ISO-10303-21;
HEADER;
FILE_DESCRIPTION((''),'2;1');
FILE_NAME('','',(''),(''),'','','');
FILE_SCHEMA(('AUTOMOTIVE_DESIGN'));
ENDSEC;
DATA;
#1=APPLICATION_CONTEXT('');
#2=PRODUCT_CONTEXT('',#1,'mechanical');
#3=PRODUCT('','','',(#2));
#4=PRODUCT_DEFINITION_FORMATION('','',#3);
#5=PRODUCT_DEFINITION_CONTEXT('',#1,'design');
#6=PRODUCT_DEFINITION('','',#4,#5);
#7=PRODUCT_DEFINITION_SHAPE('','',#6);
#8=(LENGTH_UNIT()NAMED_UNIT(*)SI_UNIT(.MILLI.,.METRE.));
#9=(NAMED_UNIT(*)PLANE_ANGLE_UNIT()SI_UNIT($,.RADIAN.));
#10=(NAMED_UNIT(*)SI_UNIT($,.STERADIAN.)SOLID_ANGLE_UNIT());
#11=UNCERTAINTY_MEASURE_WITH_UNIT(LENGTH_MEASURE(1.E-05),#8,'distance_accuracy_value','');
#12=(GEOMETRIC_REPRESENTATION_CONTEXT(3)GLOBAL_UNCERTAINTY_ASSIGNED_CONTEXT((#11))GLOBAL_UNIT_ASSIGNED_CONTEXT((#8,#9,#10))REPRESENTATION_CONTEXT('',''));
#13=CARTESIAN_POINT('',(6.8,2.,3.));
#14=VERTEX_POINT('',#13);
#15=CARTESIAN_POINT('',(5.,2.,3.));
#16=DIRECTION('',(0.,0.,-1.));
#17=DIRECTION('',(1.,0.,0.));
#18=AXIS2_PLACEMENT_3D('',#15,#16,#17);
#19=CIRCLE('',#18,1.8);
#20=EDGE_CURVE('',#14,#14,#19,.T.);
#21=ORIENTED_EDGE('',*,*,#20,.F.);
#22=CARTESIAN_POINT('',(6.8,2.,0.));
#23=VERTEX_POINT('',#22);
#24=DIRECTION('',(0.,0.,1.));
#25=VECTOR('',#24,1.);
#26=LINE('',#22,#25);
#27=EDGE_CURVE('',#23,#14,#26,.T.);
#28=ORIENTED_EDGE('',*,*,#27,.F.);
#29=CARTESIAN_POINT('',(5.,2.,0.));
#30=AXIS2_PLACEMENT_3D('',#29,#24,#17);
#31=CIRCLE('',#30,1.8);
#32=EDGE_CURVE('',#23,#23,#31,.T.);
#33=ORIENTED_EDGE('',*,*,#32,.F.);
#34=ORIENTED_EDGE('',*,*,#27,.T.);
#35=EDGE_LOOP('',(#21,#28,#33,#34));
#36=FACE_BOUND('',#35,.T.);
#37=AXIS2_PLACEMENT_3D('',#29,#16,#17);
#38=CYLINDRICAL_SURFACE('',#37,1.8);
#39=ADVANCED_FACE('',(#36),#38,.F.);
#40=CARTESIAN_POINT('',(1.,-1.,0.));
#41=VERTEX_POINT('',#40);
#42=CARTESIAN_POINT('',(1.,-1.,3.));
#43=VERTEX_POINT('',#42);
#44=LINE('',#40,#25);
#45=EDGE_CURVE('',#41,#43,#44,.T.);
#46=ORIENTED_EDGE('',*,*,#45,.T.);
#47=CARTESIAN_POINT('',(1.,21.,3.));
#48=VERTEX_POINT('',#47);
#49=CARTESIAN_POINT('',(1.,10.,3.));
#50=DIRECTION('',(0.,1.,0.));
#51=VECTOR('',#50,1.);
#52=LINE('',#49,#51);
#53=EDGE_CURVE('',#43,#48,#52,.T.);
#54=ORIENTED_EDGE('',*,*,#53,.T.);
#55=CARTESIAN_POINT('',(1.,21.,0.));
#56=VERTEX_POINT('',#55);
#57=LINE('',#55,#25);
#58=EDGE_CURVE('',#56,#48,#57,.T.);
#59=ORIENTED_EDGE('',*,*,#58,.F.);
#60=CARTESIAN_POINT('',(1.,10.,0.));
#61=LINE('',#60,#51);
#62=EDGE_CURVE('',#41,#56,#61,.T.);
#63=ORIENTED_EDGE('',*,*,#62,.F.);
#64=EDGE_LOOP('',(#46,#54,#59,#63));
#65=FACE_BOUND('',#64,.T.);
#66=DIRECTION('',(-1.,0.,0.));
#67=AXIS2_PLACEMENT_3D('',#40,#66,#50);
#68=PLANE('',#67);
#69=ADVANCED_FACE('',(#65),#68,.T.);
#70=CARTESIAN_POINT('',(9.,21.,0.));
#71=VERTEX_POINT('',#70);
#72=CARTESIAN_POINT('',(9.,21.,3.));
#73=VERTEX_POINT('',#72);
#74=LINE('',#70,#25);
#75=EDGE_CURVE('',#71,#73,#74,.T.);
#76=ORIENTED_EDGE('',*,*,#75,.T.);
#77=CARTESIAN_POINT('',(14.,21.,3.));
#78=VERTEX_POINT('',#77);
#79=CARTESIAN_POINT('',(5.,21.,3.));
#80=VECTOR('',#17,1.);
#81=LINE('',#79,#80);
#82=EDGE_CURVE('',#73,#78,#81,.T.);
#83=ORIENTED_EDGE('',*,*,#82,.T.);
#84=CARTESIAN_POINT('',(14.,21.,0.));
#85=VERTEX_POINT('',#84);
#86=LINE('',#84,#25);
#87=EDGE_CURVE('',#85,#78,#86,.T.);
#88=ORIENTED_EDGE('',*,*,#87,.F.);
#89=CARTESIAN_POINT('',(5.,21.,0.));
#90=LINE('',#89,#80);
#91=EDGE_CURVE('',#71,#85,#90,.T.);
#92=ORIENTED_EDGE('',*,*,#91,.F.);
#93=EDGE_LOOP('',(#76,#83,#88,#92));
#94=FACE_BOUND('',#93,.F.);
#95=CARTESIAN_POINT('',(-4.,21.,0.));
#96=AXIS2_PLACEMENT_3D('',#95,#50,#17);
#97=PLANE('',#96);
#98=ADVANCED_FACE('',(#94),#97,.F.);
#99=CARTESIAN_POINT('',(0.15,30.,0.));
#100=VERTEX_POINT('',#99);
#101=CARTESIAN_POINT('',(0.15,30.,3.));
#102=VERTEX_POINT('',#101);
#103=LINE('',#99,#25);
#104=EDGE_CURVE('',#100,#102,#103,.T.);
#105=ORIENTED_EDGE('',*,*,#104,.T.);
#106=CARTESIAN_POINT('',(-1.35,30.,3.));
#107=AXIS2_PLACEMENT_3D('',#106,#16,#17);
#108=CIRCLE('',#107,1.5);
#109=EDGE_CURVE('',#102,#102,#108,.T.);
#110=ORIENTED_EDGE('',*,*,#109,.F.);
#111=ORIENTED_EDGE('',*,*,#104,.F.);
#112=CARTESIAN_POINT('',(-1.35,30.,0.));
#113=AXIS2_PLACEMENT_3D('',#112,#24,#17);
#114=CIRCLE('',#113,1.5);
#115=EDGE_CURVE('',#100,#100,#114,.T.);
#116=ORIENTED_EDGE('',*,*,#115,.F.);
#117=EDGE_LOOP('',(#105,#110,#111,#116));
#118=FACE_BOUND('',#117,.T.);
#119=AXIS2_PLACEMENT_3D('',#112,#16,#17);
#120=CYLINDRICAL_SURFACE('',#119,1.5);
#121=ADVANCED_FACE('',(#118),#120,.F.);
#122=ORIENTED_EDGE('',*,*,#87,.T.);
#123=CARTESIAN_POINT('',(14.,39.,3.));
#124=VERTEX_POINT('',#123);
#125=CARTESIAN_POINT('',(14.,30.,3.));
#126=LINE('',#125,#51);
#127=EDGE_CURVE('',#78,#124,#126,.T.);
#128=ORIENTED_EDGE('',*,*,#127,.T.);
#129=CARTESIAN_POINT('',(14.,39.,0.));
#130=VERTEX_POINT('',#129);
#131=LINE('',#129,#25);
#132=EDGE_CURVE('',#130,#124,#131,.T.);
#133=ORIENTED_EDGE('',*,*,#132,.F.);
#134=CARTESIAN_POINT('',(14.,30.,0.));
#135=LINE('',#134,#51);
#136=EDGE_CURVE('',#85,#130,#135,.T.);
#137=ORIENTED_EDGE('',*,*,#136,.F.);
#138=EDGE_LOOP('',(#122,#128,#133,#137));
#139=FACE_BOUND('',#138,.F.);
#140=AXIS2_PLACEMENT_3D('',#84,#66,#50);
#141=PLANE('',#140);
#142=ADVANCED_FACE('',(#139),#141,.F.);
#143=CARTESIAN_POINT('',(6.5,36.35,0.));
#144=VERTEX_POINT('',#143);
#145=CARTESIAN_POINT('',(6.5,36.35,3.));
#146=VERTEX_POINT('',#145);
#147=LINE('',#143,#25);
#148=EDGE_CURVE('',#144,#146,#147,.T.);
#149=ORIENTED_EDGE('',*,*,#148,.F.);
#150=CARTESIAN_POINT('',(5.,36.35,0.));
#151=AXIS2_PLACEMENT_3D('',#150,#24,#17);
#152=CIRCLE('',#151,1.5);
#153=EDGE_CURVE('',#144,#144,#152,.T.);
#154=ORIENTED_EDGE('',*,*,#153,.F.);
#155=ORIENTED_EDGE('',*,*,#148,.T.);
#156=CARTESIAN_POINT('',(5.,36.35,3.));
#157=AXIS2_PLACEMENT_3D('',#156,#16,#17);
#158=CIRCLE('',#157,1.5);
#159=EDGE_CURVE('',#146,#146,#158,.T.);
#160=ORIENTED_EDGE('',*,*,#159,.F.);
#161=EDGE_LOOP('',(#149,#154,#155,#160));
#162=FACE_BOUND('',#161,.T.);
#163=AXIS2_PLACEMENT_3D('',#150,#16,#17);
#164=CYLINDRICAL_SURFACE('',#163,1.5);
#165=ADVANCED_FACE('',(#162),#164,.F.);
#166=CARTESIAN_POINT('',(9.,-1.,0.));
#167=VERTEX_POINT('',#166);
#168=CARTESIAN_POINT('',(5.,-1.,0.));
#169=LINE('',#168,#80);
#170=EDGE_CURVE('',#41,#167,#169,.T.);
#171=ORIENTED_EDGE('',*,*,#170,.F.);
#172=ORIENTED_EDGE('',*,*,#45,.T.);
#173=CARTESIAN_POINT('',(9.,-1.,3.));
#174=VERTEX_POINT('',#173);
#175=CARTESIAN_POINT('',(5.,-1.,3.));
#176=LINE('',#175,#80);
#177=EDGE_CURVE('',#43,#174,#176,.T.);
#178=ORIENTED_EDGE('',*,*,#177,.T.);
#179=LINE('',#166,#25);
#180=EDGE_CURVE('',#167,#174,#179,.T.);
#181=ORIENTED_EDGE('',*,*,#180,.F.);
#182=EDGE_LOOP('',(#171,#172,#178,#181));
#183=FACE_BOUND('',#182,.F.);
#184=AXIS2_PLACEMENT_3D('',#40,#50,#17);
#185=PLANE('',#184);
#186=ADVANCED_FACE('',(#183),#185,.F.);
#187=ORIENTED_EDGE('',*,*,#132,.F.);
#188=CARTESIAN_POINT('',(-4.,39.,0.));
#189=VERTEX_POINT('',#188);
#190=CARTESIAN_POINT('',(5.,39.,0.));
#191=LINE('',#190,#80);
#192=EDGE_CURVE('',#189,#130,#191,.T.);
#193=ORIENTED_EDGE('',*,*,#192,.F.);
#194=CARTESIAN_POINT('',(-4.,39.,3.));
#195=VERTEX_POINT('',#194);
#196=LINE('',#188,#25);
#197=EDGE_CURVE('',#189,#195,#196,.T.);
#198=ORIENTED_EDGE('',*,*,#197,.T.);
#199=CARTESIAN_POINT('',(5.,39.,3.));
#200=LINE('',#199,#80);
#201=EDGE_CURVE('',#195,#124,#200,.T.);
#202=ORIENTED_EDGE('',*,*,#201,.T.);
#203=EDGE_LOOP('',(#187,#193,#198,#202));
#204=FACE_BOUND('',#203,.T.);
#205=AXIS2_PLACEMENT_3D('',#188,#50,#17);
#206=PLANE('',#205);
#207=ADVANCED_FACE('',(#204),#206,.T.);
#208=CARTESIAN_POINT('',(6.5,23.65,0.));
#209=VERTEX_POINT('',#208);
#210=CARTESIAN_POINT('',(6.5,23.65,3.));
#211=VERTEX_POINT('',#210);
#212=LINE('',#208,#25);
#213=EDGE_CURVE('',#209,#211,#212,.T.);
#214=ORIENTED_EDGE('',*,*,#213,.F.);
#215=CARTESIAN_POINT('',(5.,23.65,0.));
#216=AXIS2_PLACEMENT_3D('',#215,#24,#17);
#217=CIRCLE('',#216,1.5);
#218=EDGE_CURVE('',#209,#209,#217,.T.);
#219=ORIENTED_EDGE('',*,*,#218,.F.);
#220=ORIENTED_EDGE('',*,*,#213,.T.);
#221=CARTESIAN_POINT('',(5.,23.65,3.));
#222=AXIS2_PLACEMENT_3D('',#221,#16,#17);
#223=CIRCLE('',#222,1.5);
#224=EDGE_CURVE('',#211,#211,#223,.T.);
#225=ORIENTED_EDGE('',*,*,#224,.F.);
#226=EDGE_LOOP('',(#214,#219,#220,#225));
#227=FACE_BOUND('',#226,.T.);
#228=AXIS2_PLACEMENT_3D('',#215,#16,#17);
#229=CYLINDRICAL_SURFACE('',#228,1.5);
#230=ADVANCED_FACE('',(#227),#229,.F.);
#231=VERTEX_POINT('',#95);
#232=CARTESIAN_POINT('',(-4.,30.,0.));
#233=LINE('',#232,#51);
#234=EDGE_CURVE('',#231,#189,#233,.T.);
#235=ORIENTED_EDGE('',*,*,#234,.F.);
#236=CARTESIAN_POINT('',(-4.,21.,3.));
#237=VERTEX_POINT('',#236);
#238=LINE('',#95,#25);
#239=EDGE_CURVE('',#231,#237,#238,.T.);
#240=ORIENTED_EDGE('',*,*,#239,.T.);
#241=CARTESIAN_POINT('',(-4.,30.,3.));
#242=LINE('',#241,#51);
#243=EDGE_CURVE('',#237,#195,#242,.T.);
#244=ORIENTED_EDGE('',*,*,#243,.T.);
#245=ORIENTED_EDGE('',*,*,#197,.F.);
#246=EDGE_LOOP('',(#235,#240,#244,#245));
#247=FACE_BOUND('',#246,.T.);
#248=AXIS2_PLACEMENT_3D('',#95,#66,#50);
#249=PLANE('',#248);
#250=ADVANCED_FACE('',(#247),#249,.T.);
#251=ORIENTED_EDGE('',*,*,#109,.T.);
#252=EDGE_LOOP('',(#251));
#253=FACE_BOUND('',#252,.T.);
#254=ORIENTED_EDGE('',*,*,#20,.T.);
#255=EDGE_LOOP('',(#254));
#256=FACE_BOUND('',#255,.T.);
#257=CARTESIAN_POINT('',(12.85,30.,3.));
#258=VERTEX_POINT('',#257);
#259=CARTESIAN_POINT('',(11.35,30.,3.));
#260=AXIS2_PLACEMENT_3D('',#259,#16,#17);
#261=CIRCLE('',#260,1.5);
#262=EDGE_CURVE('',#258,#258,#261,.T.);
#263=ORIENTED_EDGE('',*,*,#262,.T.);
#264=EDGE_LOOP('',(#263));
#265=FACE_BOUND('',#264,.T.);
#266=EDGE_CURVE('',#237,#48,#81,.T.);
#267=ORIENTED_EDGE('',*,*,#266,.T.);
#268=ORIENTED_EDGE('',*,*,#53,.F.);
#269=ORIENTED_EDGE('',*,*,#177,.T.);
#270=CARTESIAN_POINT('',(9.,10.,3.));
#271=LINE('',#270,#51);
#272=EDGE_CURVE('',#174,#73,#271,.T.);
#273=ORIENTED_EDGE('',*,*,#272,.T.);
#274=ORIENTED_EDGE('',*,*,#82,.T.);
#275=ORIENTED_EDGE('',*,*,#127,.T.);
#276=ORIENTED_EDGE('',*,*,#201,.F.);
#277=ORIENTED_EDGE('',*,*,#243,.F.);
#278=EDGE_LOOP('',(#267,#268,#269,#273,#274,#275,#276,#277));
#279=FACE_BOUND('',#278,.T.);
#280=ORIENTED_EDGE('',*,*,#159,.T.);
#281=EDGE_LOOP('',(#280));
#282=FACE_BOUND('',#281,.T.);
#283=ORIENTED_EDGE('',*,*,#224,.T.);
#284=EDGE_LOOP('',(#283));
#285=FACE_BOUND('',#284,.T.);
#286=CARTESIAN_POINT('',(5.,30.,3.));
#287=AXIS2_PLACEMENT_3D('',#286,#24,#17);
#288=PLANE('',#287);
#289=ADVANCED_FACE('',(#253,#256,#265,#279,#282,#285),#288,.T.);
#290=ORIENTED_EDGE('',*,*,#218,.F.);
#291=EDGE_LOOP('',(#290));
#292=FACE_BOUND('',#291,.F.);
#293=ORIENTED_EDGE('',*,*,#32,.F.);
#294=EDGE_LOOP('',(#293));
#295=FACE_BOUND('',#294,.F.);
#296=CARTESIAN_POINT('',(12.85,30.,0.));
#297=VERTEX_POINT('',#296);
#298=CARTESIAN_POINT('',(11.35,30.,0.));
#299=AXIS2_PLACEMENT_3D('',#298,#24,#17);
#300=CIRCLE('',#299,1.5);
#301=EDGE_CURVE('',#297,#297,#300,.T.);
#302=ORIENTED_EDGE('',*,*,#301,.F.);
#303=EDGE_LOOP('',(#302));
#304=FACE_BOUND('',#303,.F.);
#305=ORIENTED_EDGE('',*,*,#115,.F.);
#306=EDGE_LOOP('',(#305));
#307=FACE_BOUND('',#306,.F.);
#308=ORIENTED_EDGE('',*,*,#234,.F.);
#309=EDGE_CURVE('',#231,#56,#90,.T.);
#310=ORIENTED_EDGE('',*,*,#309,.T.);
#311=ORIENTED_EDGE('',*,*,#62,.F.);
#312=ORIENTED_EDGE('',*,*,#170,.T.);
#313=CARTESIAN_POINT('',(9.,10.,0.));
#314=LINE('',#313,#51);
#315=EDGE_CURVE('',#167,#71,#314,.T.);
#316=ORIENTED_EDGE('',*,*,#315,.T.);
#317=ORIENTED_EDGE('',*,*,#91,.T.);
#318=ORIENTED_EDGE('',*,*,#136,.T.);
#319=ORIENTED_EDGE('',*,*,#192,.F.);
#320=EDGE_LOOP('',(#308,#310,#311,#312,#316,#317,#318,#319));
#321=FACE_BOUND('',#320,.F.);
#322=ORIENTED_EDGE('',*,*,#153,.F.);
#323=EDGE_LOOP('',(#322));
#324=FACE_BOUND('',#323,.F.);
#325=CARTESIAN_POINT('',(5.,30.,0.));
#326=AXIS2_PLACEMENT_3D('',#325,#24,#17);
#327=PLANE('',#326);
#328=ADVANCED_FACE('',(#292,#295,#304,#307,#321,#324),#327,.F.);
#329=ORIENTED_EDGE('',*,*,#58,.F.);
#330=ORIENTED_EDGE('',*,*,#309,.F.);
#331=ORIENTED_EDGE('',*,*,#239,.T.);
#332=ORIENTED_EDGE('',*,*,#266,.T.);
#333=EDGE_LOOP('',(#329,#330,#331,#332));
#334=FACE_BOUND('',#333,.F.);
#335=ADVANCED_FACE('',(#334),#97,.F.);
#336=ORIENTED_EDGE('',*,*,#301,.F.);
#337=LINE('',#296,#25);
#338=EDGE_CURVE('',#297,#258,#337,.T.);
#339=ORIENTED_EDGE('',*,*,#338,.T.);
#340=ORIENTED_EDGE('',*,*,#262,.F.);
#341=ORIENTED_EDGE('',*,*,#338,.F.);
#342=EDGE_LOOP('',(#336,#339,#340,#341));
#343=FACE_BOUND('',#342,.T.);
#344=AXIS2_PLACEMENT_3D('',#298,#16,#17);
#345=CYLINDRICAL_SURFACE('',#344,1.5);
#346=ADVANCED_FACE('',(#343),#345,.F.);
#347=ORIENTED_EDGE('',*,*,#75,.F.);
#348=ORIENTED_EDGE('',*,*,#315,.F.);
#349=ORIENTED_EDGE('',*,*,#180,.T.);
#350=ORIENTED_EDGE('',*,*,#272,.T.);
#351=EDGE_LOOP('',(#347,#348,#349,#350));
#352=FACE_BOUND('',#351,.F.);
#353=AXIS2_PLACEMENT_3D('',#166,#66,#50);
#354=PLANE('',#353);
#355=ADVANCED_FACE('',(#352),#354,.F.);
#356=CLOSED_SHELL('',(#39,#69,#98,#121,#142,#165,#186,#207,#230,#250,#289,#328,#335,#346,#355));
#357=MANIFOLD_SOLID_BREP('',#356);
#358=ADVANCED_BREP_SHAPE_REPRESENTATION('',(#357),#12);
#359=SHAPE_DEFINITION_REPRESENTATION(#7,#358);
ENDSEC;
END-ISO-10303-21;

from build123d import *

# Parameters (mm, degrees)
CYLINDER005_R     = 1.8
CYLINDER005_DEPTH = 10
BOX010_W          = 8
BOX010_H          = 22
BOX010_DEPTH      = 3
CYLINDER009_R     = 1.5
CYLINDER009_DEPTH = 10
CYLINDER008_R     = 1.5
CYLINDER008_DEPTH = 10
CYLINDER007_R     = 1.5
CYLINDER007_DEPTH = 10
CYLINDER006_R     = 1.5
CYLINDER006_DEPTH = 10
BOX009_W          = 18
BOX009_H          = 18
BOX009_DEPTH      = 3


with BuildPart() as cylinder005:
    # Cylinder005 → Cylinder005 (new body)
    with BuildSketch(Plane(origin=(5, 2, 0), x_dir=(1, 0, 0), z_dir=(0, 0, 1))):
        Circle(CYLINDER005_R)
    extrude(amount=CYLINDER005_DEPTH)


with BuildPart() as cut012:
    # Box010 → Box010 (new body)
    with BuildSketch(Plane(origin=(1, -1, 0), x_dir=(1, 0, 0), z_dir=(0, 0, 1))):
        with Locations((4, 11)):
            Rectangle(BOX010_W, BOX010_H)
    extrude(amount=BOX010_DEPTH)

    # Cut012: cut Cylinder005
    add(cylinder005.part, mode=Mode.SUBTRACT)


with BuildPart() as cylinder009:
    # Cylinder009 → Cylinder009 (new body)
    with BuildSketch(Plane(origin=(5, 23.65, 0), x_dir=(1, 0, 0), z_dir=(0, 0, 1))):
        Circle(CYLINDER009_R)
    extrude(amount=CYLINDER009_DEPTH)


with BuildPart() as cylinder008:
    # Cylinder008 → Cylinder008 (new body)
    with BuildSketch(Plane(origin=(-1.35, 30, 0), x_dir=(1, 0, 0), z_dir=(0, 0, 1))):
        Circle(CYLINDER008_R)
    extrude(amount=CYLINDER008_DEPTH)


with BuildPart() as cylinder007:
    # Cylinder007 → Cylinder007 (new body)
    with BuildSketch(Plane(origin=(11.35, 30, 0), x_dir=(1, 0, 0), z_dir=(0, 0, 1))):
        Circle(CYLINDER007_R)
    extrude(amount=CYLINDER007_DEPTH)


with BuildPart() as cylinder006:
    # Cylinder006 → Cylinder006 (new body)
    with BuildSketch(Plane(origin=(5, 36.35, 0), x_dir=(1, 0, 0), z_dir=(0, 0, 1))):
        Circle(CYLINDER006_R)
    extrude(amount=CYLINDER006_DEPTH)


with BuildPart() as slidemotorarmextension:
    # Box009 → Box009 (new body)
    with BuildSketch(Plane(origin=(-4, 21, 0), x_dir=(1, 0, 0), z_dir=(0, 0, 1))):
        with Locations((9, 9)):
            Rectangle(BOX009_W, BOX009_H)
    extrude(amount=BOX009_DEPTH)

    # Cut008: cut Cylinder006
    add(cylinder006.part, mode=Mode.SUBTRACT)

    # Cut009: cut Cylinder007
    add(cylinder007.part, mode=Mode.SUBTRACT)

    # Cut010: cut Cylinder008
    add(cylinder008.part, mode=Mode.SUBTRACT)

    # Cut011: cut Cylinder009
    add(cylinder009.part, mode=Mode.SUBTRACT)

    # Fusion002: union Cut012
    add(cut012.part)


solid = slidemotorarmextension.part
